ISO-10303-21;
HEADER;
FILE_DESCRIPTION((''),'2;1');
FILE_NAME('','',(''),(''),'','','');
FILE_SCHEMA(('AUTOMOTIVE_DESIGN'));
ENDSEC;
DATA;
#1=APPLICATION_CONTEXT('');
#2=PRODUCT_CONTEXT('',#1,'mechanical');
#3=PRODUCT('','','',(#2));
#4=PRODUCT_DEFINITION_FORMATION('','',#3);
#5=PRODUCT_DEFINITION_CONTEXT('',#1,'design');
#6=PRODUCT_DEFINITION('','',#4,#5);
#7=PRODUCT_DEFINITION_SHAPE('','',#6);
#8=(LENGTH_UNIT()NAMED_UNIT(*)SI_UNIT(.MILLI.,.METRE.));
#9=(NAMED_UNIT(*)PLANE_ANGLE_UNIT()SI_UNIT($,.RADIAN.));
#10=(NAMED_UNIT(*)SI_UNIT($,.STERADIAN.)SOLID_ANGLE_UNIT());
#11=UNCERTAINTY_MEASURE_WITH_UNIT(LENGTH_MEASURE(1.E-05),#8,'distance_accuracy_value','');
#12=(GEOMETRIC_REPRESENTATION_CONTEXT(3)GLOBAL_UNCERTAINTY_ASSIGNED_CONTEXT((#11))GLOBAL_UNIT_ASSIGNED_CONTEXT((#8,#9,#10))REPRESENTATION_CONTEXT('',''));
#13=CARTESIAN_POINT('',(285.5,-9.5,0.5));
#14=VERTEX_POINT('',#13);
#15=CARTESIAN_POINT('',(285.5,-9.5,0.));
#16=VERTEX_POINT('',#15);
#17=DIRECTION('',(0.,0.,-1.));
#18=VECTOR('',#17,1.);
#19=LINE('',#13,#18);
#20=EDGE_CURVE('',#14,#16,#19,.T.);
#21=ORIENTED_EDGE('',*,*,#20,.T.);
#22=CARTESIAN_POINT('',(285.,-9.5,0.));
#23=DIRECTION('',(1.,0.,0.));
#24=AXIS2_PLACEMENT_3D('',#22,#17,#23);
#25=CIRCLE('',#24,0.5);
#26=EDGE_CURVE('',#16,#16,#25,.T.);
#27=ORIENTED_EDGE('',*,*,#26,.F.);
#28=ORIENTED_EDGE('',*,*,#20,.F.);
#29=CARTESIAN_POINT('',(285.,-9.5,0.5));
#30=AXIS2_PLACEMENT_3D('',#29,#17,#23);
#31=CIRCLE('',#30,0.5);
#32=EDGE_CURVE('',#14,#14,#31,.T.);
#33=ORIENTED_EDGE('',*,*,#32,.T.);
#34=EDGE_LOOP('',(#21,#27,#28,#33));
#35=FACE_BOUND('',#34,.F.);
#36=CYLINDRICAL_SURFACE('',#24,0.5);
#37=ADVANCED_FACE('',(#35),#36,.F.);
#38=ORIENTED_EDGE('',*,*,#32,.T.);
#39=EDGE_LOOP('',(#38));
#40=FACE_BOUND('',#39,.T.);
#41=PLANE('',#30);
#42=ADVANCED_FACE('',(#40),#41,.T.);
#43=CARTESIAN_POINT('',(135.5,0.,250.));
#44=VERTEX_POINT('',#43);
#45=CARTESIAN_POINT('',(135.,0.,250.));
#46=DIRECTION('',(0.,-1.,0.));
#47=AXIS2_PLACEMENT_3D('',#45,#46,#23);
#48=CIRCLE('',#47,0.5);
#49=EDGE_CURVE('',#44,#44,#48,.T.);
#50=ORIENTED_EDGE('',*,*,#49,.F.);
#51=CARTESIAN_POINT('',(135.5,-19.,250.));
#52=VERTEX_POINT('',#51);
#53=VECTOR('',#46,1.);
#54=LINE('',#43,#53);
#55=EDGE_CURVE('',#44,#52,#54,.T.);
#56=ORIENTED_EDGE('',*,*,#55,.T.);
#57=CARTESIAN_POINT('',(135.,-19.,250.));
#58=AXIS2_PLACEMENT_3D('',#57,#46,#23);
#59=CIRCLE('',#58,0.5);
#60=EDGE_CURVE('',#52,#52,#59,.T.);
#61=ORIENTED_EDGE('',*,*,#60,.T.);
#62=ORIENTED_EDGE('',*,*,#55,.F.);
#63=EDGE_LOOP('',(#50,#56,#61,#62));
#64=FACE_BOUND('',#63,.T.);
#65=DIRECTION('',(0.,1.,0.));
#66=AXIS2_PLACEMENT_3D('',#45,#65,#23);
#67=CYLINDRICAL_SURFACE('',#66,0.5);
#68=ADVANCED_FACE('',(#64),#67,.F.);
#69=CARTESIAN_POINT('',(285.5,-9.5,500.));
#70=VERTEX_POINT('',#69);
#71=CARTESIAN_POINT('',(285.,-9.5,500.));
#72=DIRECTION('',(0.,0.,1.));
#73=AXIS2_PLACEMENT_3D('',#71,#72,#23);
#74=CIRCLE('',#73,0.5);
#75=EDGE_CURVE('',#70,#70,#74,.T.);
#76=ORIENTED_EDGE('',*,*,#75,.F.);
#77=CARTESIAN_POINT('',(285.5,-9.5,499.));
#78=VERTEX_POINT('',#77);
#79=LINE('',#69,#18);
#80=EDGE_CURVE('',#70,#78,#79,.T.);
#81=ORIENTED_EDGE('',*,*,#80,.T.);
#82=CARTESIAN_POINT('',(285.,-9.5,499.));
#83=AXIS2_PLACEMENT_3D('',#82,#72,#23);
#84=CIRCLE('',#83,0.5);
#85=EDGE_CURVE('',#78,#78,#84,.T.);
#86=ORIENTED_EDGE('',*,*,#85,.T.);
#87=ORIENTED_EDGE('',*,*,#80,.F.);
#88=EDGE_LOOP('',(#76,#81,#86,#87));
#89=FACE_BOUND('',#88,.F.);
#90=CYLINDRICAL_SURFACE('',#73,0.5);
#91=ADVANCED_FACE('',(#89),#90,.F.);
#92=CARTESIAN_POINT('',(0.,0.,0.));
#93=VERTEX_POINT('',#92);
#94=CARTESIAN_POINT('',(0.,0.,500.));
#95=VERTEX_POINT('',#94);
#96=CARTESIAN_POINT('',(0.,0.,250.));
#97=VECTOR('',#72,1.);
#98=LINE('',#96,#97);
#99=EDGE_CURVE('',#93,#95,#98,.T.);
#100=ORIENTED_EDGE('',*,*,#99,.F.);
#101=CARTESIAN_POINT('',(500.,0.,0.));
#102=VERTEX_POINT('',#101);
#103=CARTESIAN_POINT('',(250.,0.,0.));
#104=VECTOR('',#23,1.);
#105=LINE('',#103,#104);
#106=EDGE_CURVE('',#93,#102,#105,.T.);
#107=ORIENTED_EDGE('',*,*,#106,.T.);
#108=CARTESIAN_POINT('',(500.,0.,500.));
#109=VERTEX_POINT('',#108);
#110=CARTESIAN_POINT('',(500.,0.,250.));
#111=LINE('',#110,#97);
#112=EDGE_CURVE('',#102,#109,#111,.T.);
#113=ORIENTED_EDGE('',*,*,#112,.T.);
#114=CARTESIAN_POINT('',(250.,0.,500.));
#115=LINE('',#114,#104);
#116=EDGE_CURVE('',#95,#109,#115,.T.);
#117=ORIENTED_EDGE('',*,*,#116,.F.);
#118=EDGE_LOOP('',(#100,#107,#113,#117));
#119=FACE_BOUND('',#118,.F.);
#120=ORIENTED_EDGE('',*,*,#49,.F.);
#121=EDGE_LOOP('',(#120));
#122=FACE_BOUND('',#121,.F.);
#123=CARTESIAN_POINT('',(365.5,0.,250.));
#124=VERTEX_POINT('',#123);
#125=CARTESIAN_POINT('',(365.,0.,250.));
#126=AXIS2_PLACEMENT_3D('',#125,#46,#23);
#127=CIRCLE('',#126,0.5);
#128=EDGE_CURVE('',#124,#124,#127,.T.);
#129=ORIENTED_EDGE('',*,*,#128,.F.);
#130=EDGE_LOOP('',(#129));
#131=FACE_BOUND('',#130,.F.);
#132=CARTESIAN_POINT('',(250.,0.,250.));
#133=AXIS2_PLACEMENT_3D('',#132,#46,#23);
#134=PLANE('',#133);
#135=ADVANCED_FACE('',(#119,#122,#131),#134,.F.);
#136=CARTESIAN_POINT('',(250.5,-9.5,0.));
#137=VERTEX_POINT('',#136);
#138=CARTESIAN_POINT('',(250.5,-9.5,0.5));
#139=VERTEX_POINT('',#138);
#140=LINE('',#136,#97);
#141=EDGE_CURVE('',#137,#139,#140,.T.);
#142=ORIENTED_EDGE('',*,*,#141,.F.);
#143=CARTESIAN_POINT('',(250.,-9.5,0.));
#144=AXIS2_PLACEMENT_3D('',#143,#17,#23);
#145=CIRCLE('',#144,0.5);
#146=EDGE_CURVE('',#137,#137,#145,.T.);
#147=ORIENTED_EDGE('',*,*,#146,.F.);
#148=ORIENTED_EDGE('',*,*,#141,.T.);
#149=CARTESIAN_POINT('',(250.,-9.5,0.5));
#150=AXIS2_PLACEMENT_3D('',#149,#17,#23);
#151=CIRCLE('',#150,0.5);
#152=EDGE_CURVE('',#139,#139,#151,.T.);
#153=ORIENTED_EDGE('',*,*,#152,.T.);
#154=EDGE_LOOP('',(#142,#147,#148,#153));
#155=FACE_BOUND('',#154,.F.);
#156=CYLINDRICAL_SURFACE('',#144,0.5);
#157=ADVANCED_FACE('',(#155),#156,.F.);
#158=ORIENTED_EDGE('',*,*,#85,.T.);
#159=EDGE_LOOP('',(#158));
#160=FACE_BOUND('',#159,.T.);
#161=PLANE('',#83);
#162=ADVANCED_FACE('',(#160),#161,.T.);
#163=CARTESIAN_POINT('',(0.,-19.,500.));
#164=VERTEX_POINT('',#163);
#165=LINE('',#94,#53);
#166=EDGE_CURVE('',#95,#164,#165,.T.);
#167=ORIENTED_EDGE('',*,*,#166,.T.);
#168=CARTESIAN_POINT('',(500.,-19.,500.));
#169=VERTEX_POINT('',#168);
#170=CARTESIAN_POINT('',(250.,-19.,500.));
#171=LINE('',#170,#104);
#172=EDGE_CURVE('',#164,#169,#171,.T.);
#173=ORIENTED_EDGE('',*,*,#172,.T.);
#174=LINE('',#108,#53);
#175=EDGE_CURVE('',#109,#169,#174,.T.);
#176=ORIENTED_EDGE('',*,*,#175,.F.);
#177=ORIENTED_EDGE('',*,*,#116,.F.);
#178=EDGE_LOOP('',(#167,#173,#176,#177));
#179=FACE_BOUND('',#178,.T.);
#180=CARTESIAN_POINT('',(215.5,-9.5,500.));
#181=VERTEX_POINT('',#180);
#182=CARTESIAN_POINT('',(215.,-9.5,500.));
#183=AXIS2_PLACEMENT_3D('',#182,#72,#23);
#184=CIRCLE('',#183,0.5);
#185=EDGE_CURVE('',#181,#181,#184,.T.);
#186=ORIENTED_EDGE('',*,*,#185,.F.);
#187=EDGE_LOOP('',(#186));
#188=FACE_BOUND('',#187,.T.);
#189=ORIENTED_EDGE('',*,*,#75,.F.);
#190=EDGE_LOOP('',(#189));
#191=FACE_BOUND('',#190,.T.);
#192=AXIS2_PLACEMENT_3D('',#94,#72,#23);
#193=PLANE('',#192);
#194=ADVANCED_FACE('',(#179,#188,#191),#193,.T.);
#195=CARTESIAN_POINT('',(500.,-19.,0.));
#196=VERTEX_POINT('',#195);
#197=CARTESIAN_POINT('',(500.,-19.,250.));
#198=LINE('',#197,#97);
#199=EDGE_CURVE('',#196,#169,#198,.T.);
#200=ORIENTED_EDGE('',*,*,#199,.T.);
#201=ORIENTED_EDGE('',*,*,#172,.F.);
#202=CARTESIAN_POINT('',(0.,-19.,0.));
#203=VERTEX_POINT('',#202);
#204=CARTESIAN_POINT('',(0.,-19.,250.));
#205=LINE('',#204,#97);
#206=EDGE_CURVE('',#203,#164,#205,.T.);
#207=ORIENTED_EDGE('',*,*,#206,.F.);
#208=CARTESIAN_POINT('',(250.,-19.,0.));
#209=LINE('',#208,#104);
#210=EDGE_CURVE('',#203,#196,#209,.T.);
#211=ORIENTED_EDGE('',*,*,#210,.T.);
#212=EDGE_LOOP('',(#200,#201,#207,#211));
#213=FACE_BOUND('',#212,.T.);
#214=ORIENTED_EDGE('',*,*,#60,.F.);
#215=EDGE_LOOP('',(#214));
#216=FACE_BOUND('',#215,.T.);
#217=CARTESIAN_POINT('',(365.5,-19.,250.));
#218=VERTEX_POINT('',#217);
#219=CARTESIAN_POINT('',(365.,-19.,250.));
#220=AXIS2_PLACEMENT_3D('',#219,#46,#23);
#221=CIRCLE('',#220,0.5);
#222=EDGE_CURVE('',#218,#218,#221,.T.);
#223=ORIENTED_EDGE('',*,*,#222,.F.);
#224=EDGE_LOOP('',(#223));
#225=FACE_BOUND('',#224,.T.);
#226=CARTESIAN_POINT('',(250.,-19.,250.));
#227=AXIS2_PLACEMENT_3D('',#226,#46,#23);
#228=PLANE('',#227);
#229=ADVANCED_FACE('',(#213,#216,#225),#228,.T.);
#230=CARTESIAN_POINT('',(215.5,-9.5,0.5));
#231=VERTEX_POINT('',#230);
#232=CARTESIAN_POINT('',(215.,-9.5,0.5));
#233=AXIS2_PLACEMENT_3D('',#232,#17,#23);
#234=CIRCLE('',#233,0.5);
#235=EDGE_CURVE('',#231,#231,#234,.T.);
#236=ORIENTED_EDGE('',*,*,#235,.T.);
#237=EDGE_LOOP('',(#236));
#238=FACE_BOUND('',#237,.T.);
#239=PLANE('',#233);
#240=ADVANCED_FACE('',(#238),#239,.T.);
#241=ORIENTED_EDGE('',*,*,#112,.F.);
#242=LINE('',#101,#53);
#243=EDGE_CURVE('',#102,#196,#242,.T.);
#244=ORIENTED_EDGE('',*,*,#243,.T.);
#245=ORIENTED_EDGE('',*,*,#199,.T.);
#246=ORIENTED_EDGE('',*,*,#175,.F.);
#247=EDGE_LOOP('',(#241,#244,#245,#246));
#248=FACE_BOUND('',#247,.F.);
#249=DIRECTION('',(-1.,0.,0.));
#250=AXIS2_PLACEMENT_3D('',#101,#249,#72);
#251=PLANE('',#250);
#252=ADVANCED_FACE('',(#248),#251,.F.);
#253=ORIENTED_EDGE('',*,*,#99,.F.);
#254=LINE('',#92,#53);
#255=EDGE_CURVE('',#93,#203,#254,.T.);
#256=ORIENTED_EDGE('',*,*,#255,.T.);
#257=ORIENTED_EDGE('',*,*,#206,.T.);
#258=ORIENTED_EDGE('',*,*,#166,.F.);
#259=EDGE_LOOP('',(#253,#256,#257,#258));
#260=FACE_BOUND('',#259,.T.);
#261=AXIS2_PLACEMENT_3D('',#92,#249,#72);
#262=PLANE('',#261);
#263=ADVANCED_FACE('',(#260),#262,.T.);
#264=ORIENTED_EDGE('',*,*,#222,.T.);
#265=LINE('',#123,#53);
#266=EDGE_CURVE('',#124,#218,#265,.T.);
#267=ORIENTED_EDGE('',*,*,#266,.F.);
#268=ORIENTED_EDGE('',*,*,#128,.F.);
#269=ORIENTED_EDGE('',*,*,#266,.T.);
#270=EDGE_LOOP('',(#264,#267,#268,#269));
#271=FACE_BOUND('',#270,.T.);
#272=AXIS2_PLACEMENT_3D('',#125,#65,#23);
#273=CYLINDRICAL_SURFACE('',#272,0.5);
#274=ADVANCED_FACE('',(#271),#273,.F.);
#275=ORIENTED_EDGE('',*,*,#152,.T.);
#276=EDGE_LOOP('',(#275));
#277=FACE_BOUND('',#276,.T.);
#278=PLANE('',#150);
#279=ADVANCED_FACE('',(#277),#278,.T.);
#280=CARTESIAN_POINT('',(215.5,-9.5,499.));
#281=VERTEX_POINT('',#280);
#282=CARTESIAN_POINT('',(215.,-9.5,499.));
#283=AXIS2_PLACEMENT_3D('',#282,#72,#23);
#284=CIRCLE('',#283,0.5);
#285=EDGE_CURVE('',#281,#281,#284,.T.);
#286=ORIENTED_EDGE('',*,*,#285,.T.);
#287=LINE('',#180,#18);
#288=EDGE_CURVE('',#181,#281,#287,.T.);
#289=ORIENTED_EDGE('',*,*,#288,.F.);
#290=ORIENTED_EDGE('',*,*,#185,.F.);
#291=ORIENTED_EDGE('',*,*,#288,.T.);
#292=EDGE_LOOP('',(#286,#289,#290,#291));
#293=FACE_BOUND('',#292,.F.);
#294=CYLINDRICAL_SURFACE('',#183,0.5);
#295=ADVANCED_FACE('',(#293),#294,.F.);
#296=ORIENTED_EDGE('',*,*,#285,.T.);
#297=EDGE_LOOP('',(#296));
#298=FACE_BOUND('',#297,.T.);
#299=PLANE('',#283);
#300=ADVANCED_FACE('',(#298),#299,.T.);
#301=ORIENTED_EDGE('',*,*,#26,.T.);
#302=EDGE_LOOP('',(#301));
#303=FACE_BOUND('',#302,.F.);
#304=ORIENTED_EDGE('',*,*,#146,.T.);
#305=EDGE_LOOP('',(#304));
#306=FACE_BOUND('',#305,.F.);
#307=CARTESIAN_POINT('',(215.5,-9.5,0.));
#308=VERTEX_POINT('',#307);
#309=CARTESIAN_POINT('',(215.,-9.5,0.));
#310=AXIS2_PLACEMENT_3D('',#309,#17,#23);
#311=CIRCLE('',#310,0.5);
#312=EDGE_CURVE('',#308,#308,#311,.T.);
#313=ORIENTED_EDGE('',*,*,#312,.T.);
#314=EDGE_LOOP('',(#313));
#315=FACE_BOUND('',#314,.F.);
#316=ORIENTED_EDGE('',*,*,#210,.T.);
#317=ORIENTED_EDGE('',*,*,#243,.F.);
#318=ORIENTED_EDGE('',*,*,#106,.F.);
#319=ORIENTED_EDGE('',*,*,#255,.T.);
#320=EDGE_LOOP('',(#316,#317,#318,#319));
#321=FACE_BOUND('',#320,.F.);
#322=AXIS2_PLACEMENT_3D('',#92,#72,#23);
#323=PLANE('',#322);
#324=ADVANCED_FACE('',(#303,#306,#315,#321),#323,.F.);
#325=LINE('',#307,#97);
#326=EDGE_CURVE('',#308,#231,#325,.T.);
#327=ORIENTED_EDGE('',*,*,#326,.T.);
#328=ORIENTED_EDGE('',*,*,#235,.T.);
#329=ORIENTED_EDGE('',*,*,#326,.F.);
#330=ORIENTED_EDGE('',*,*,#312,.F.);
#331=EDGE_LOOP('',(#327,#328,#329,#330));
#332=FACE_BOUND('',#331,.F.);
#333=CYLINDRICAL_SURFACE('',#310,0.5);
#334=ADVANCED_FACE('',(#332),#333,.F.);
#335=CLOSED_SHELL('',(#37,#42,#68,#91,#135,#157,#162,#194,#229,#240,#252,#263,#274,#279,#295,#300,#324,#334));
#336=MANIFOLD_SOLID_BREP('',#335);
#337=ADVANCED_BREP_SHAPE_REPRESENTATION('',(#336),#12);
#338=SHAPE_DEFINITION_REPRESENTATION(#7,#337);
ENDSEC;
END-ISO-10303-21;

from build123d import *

# Parameters (mm, degrees)
F0_W     = 500
F0_H     = 500
F0_R     = 0.5
F1_DEPTH = 19
F2_R     = 0.5
F3_DEPTH = 0.5
F4_R     = 0.5
F5_DEPTH = 1


with BuildPart() as f1:
    # F0 (on Front) → F1 (new body)
    with BuildSketch(Plane.XZ):
        with Locations((250, 250)):
            Rectangle(F0_W, F0_H)
        with Locations((135, 250)):
            Circle(F0_R, mode=Mode.SUBTRACT)
        with Locations((365, 250)):
            Circle(F0_R, mode=Mode.SUBTRACT)
    extrude(amount=F1_DEPTH)

    # F2 (on face) → F3 (cut, symmetric)
    with BuildSketch(Plane(origin=(0, 0, 0), x_dir=(1, 0, 0), z_dir=(0, 0, -1))):
        with Locations((250, 9.5)):
            Circle(F2_R)
        with Locations((215, 9.5)):
            Circle(F2_R)
        with Locations((285, 9.5)):
            Circle(F2_R)
    extrude(amount=F3_DEPTH, both=True, mode=Mode.SUBTRACT)

    # F4 (on face) → F5 (cut)
    with BuildSketch(Plane.XY.offset(500)):
        with Locations((215, -9.5)):
            Circle(F4_R)
        with Locations((285, -9.5)):
            Circle(F4_R)
    extrude(amount=-F5_DEPTH, mode=Mode.SUBTRACT)


solid = f1.part
